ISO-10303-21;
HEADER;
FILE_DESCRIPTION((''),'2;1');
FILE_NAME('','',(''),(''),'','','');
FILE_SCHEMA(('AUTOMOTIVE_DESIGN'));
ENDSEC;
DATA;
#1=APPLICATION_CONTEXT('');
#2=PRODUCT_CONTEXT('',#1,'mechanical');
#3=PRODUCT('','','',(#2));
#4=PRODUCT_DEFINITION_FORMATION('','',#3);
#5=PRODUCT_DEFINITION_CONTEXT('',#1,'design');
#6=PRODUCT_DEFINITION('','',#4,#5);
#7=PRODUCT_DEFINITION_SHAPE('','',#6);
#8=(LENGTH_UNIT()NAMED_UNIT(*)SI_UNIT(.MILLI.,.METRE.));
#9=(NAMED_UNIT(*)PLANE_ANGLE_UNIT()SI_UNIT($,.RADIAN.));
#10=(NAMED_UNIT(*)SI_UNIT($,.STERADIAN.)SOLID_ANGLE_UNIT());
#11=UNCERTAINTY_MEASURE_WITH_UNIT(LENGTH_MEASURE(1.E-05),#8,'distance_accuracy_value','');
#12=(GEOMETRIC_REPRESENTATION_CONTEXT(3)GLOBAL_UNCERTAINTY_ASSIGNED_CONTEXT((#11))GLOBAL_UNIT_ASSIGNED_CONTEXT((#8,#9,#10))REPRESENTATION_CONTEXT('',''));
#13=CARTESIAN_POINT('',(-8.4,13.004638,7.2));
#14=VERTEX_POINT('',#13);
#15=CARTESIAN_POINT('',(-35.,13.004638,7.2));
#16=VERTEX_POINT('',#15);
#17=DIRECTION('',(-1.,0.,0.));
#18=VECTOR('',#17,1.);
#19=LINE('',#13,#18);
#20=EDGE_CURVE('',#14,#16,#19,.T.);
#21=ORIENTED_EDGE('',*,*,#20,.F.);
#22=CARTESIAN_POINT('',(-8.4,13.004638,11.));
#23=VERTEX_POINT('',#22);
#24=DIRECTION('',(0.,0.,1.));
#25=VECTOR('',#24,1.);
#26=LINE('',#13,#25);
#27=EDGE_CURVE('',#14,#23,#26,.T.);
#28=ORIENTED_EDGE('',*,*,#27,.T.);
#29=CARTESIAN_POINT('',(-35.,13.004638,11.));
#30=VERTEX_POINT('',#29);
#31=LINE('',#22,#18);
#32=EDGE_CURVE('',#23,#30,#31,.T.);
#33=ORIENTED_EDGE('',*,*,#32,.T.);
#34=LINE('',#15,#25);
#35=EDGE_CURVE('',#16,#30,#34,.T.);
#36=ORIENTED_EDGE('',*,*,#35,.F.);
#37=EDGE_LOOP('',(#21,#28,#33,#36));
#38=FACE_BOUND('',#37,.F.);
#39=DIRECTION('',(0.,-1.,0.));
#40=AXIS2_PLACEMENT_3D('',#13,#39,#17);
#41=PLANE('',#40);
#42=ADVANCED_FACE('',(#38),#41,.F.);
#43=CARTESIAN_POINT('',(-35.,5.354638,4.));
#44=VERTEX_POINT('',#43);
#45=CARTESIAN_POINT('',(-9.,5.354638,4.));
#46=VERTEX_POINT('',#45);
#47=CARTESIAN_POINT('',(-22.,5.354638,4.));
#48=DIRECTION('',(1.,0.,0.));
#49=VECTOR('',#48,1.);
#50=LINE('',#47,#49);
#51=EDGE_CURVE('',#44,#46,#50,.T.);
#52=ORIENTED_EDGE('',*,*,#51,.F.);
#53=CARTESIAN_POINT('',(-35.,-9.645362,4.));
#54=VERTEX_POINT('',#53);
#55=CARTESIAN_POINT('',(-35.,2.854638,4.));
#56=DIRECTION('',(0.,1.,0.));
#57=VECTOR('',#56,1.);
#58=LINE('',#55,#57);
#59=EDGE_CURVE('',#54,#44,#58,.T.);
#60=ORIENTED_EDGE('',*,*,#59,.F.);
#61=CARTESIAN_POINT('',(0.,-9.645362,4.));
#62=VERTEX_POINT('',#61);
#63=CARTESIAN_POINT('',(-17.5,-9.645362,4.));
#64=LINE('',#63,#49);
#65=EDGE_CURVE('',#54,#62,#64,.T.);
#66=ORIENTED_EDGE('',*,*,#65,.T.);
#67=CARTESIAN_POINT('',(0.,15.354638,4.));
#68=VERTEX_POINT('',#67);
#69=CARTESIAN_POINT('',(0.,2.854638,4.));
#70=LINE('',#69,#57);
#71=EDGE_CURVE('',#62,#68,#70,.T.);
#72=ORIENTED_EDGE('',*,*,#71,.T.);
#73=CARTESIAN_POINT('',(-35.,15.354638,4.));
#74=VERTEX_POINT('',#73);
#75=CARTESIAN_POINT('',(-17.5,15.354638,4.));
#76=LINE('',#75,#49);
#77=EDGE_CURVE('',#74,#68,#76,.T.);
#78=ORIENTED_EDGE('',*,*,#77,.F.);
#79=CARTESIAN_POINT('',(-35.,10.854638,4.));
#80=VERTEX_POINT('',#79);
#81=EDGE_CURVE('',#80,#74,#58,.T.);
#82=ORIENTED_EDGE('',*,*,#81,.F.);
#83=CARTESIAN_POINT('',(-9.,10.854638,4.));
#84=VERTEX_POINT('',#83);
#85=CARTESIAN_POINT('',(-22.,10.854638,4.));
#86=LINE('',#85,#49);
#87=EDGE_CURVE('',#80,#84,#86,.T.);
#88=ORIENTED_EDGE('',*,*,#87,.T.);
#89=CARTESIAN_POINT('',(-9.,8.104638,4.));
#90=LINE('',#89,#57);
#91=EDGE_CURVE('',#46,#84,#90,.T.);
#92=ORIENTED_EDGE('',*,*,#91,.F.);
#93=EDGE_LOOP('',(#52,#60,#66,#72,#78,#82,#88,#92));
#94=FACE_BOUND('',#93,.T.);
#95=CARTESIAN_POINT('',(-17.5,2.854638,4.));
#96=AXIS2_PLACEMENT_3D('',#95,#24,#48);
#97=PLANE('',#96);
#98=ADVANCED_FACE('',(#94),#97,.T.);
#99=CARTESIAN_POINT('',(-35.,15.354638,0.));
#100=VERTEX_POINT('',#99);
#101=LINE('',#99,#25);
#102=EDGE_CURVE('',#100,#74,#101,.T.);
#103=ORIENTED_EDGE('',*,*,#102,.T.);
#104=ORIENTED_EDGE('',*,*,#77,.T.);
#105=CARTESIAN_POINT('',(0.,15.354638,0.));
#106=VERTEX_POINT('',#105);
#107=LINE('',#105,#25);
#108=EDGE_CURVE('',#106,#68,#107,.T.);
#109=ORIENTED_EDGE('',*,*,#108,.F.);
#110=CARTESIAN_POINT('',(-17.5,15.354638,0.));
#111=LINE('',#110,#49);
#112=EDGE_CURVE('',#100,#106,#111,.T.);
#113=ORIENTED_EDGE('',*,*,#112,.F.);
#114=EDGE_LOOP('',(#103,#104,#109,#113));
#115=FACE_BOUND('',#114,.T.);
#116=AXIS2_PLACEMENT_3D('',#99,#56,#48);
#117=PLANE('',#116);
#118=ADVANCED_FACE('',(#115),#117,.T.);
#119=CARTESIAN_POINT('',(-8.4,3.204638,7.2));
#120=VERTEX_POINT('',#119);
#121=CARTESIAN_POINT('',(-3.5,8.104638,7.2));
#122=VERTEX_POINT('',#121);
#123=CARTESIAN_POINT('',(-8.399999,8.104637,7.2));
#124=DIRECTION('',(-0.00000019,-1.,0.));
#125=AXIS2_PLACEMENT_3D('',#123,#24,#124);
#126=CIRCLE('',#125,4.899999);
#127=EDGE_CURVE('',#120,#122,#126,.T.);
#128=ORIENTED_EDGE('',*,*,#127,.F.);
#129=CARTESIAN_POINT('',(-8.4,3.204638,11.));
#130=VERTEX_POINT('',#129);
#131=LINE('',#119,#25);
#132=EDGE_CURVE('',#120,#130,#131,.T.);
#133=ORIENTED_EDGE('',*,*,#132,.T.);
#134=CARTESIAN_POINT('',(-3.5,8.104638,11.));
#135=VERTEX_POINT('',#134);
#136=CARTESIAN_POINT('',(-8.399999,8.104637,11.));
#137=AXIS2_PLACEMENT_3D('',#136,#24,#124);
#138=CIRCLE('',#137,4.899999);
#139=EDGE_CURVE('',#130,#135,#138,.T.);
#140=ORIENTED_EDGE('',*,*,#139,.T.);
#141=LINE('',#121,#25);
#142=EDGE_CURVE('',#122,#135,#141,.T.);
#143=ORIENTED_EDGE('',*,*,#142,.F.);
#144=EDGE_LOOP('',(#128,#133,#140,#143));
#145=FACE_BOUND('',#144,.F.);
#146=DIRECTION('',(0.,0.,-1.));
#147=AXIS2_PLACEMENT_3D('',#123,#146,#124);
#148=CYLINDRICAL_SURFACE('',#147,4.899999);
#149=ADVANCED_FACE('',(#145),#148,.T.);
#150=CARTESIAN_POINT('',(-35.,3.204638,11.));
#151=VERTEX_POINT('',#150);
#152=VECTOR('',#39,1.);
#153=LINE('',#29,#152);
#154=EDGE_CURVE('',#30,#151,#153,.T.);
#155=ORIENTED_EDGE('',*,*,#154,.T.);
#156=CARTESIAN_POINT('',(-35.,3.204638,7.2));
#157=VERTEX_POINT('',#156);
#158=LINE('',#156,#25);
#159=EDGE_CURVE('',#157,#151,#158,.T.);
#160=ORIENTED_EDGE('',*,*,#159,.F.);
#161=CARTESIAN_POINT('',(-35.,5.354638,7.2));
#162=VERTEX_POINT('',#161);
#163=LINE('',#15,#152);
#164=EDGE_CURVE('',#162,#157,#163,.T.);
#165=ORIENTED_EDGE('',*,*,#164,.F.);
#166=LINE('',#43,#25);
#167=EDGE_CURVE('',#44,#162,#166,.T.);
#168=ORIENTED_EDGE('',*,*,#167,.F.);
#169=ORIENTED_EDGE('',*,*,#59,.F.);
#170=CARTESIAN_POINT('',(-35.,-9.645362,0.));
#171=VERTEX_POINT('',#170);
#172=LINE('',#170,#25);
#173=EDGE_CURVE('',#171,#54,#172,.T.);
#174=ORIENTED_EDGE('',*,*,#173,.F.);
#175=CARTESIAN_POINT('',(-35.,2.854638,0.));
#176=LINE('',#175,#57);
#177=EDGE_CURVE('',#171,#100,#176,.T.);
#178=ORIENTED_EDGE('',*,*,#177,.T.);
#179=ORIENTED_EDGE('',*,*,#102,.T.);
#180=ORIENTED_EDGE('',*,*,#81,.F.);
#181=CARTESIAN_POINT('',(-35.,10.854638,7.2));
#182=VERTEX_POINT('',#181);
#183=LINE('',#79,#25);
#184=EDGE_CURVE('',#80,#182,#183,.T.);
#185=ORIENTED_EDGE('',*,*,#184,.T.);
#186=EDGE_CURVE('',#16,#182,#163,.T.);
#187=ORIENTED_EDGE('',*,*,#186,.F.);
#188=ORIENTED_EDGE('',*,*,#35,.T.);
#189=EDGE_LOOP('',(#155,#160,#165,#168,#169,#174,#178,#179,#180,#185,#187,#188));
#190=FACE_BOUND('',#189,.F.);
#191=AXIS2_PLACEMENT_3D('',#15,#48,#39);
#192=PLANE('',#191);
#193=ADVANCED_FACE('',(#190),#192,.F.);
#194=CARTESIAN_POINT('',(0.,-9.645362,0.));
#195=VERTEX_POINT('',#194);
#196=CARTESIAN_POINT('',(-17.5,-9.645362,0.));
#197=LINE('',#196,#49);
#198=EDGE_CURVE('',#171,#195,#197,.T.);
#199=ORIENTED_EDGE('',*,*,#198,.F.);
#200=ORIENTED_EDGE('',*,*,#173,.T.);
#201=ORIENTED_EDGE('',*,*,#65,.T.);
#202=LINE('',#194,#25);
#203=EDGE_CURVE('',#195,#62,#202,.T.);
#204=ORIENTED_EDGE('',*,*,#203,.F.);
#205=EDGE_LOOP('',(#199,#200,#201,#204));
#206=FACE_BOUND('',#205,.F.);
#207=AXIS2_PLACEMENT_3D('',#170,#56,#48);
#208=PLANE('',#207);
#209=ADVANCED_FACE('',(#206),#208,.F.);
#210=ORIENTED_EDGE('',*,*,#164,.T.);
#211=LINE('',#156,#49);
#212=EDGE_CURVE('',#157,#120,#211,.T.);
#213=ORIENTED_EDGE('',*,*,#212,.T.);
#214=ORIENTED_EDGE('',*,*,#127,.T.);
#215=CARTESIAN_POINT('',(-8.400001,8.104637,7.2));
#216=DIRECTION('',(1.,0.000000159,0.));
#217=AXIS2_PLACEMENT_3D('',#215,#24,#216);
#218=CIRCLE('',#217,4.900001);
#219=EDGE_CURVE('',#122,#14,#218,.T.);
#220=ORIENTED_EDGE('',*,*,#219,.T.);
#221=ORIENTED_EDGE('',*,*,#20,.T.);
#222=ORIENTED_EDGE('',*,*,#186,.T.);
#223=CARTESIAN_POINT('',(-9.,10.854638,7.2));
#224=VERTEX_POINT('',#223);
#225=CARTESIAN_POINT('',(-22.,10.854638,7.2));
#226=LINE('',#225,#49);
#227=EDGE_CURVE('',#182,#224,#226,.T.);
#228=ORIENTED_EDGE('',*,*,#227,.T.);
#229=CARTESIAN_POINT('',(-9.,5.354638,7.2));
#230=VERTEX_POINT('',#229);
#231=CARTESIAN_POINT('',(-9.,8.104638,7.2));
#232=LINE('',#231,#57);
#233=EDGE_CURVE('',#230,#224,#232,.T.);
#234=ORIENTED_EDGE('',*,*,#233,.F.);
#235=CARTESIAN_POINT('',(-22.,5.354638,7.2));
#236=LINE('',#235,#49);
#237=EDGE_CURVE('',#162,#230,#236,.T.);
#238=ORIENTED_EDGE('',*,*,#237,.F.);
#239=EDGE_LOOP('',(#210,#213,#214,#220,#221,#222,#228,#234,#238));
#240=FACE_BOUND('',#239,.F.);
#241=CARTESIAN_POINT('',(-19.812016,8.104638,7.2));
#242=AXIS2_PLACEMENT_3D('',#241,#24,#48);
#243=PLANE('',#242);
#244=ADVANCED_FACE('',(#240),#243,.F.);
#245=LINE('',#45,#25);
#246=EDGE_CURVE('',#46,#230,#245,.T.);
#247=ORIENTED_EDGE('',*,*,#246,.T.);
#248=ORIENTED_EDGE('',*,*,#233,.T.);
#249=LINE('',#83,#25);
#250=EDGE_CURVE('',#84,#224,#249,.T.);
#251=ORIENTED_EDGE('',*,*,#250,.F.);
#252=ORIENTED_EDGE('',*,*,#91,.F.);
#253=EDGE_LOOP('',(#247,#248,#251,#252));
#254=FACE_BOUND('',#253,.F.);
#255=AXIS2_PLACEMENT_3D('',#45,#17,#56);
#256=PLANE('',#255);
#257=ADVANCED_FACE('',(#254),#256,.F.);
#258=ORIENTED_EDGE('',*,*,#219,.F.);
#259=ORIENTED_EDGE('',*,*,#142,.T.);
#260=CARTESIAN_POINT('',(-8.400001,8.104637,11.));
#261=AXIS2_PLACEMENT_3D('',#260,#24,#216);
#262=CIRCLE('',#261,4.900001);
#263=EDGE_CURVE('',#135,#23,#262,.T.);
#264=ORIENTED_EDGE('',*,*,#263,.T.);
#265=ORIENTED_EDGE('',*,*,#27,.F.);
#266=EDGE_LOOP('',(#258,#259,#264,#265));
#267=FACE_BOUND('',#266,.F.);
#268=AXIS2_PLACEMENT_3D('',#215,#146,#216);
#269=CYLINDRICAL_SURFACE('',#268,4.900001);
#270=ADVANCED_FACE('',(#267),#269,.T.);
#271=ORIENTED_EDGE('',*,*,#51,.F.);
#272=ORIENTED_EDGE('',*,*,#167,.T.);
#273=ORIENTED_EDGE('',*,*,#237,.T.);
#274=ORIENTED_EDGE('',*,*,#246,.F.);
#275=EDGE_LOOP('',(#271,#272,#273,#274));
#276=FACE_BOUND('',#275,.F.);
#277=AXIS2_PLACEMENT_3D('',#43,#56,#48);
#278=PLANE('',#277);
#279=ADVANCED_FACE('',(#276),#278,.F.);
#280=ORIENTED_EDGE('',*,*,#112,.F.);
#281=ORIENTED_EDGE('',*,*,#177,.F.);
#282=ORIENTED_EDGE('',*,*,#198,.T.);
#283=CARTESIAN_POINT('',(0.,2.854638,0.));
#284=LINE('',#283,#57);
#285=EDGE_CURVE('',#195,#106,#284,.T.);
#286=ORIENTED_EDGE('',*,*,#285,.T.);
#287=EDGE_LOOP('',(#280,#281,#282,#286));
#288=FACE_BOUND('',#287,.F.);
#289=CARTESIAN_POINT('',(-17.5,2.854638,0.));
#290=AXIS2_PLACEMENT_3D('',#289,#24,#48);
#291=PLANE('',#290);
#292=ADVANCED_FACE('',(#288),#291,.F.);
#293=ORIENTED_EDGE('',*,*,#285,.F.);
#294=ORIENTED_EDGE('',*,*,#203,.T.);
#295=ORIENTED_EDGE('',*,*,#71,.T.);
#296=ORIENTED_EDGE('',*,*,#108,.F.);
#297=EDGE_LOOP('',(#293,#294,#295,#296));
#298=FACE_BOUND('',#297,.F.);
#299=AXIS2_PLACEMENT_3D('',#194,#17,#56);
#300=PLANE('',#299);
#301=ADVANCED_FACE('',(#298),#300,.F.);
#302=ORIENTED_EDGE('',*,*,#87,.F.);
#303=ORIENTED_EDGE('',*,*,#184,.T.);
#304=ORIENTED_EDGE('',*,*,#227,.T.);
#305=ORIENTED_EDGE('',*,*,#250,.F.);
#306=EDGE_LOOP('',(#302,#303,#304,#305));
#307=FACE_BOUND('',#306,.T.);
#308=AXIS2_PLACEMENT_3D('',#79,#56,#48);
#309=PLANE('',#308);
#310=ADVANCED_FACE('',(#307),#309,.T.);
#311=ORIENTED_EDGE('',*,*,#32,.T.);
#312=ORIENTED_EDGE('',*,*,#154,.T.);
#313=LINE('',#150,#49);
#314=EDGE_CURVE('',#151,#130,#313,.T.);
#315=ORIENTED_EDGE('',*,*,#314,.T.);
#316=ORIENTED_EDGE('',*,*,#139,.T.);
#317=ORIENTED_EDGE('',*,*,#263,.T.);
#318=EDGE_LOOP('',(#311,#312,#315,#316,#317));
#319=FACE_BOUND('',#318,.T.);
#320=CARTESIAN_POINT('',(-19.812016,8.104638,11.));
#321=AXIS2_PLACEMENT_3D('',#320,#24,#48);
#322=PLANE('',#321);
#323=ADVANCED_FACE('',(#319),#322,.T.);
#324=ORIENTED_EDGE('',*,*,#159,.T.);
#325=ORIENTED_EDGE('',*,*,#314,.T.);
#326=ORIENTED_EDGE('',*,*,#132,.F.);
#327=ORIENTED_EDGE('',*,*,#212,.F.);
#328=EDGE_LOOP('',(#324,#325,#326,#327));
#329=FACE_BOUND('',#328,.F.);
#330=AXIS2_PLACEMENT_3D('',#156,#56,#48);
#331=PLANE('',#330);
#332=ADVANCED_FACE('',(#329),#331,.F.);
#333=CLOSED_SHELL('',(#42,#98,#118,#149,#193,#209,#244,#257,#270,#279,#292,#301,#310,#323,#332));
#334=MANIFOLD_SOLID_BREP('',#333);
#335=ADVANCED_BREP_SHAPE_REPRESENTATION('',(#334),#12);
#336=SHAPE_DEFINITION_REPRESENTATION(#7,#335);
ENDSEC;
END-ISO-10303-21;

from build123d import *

# Parameters (mm, degrees)
F0_W     = 35
F0_H     = 25
F1_DEPTH = 4
F2_W     = 26
F2_H     = 5.5
F3_DEPTH = 3.2
F4_W     = 26
F4_H     = 5.5
F5_DEPTH = 3.8


with BuildPart() as f1:
    # F0 (on Top) → F1 (new body)
    with BuildSketch(Plane.XY):
        with Locations((-17.5, 2.854638)):
            Rectangle(F0_W, F0_H)
    extrude(amount=F1_DEPTH)

    # F2 (on face) → F3 (join)
    with BuildSketch(Plane.XY.offset(4)):
        with Locations((-22, 8.104638)):
            Rectangle(F2_W, F2_H)
    extrude(amount=F3_DEPTH)

    # F4 (on face) → F5 (join)
    with BuildSketch(Plane.XY.offset(7.2)):
        with BuildLine():
            Line((-35, 5.354638), (-35, 3.204638))
            Line((-35, 3.204638), (-8.4, 3.204638))
            ThreePointArc((-8.4, 3.204638), (-4.935177, 4.639814), (-3.5, 8.104638))
            ThreePointArc((-3.5, 8.104638), (-4.935177, 11.569461), (-8.4, 13.004638))
            Line((-8.4, 13.004638), (-35, 13.004638))
            Line((-35, 13.004638), (-35, 10.854638))
            Line((-35, 10.854638), (-9, 10.854638))
            Line((-9, 10.854638), (-9, 5.354638))
            Line((-9, 5.354638), (-35, 5.354638))
        make_face()
        with Locations((-22, 8.104638)):
            Rectangle(F4_W, F4_H)
    extrude(amount=F5_DEPTH)


solid = f1.part
